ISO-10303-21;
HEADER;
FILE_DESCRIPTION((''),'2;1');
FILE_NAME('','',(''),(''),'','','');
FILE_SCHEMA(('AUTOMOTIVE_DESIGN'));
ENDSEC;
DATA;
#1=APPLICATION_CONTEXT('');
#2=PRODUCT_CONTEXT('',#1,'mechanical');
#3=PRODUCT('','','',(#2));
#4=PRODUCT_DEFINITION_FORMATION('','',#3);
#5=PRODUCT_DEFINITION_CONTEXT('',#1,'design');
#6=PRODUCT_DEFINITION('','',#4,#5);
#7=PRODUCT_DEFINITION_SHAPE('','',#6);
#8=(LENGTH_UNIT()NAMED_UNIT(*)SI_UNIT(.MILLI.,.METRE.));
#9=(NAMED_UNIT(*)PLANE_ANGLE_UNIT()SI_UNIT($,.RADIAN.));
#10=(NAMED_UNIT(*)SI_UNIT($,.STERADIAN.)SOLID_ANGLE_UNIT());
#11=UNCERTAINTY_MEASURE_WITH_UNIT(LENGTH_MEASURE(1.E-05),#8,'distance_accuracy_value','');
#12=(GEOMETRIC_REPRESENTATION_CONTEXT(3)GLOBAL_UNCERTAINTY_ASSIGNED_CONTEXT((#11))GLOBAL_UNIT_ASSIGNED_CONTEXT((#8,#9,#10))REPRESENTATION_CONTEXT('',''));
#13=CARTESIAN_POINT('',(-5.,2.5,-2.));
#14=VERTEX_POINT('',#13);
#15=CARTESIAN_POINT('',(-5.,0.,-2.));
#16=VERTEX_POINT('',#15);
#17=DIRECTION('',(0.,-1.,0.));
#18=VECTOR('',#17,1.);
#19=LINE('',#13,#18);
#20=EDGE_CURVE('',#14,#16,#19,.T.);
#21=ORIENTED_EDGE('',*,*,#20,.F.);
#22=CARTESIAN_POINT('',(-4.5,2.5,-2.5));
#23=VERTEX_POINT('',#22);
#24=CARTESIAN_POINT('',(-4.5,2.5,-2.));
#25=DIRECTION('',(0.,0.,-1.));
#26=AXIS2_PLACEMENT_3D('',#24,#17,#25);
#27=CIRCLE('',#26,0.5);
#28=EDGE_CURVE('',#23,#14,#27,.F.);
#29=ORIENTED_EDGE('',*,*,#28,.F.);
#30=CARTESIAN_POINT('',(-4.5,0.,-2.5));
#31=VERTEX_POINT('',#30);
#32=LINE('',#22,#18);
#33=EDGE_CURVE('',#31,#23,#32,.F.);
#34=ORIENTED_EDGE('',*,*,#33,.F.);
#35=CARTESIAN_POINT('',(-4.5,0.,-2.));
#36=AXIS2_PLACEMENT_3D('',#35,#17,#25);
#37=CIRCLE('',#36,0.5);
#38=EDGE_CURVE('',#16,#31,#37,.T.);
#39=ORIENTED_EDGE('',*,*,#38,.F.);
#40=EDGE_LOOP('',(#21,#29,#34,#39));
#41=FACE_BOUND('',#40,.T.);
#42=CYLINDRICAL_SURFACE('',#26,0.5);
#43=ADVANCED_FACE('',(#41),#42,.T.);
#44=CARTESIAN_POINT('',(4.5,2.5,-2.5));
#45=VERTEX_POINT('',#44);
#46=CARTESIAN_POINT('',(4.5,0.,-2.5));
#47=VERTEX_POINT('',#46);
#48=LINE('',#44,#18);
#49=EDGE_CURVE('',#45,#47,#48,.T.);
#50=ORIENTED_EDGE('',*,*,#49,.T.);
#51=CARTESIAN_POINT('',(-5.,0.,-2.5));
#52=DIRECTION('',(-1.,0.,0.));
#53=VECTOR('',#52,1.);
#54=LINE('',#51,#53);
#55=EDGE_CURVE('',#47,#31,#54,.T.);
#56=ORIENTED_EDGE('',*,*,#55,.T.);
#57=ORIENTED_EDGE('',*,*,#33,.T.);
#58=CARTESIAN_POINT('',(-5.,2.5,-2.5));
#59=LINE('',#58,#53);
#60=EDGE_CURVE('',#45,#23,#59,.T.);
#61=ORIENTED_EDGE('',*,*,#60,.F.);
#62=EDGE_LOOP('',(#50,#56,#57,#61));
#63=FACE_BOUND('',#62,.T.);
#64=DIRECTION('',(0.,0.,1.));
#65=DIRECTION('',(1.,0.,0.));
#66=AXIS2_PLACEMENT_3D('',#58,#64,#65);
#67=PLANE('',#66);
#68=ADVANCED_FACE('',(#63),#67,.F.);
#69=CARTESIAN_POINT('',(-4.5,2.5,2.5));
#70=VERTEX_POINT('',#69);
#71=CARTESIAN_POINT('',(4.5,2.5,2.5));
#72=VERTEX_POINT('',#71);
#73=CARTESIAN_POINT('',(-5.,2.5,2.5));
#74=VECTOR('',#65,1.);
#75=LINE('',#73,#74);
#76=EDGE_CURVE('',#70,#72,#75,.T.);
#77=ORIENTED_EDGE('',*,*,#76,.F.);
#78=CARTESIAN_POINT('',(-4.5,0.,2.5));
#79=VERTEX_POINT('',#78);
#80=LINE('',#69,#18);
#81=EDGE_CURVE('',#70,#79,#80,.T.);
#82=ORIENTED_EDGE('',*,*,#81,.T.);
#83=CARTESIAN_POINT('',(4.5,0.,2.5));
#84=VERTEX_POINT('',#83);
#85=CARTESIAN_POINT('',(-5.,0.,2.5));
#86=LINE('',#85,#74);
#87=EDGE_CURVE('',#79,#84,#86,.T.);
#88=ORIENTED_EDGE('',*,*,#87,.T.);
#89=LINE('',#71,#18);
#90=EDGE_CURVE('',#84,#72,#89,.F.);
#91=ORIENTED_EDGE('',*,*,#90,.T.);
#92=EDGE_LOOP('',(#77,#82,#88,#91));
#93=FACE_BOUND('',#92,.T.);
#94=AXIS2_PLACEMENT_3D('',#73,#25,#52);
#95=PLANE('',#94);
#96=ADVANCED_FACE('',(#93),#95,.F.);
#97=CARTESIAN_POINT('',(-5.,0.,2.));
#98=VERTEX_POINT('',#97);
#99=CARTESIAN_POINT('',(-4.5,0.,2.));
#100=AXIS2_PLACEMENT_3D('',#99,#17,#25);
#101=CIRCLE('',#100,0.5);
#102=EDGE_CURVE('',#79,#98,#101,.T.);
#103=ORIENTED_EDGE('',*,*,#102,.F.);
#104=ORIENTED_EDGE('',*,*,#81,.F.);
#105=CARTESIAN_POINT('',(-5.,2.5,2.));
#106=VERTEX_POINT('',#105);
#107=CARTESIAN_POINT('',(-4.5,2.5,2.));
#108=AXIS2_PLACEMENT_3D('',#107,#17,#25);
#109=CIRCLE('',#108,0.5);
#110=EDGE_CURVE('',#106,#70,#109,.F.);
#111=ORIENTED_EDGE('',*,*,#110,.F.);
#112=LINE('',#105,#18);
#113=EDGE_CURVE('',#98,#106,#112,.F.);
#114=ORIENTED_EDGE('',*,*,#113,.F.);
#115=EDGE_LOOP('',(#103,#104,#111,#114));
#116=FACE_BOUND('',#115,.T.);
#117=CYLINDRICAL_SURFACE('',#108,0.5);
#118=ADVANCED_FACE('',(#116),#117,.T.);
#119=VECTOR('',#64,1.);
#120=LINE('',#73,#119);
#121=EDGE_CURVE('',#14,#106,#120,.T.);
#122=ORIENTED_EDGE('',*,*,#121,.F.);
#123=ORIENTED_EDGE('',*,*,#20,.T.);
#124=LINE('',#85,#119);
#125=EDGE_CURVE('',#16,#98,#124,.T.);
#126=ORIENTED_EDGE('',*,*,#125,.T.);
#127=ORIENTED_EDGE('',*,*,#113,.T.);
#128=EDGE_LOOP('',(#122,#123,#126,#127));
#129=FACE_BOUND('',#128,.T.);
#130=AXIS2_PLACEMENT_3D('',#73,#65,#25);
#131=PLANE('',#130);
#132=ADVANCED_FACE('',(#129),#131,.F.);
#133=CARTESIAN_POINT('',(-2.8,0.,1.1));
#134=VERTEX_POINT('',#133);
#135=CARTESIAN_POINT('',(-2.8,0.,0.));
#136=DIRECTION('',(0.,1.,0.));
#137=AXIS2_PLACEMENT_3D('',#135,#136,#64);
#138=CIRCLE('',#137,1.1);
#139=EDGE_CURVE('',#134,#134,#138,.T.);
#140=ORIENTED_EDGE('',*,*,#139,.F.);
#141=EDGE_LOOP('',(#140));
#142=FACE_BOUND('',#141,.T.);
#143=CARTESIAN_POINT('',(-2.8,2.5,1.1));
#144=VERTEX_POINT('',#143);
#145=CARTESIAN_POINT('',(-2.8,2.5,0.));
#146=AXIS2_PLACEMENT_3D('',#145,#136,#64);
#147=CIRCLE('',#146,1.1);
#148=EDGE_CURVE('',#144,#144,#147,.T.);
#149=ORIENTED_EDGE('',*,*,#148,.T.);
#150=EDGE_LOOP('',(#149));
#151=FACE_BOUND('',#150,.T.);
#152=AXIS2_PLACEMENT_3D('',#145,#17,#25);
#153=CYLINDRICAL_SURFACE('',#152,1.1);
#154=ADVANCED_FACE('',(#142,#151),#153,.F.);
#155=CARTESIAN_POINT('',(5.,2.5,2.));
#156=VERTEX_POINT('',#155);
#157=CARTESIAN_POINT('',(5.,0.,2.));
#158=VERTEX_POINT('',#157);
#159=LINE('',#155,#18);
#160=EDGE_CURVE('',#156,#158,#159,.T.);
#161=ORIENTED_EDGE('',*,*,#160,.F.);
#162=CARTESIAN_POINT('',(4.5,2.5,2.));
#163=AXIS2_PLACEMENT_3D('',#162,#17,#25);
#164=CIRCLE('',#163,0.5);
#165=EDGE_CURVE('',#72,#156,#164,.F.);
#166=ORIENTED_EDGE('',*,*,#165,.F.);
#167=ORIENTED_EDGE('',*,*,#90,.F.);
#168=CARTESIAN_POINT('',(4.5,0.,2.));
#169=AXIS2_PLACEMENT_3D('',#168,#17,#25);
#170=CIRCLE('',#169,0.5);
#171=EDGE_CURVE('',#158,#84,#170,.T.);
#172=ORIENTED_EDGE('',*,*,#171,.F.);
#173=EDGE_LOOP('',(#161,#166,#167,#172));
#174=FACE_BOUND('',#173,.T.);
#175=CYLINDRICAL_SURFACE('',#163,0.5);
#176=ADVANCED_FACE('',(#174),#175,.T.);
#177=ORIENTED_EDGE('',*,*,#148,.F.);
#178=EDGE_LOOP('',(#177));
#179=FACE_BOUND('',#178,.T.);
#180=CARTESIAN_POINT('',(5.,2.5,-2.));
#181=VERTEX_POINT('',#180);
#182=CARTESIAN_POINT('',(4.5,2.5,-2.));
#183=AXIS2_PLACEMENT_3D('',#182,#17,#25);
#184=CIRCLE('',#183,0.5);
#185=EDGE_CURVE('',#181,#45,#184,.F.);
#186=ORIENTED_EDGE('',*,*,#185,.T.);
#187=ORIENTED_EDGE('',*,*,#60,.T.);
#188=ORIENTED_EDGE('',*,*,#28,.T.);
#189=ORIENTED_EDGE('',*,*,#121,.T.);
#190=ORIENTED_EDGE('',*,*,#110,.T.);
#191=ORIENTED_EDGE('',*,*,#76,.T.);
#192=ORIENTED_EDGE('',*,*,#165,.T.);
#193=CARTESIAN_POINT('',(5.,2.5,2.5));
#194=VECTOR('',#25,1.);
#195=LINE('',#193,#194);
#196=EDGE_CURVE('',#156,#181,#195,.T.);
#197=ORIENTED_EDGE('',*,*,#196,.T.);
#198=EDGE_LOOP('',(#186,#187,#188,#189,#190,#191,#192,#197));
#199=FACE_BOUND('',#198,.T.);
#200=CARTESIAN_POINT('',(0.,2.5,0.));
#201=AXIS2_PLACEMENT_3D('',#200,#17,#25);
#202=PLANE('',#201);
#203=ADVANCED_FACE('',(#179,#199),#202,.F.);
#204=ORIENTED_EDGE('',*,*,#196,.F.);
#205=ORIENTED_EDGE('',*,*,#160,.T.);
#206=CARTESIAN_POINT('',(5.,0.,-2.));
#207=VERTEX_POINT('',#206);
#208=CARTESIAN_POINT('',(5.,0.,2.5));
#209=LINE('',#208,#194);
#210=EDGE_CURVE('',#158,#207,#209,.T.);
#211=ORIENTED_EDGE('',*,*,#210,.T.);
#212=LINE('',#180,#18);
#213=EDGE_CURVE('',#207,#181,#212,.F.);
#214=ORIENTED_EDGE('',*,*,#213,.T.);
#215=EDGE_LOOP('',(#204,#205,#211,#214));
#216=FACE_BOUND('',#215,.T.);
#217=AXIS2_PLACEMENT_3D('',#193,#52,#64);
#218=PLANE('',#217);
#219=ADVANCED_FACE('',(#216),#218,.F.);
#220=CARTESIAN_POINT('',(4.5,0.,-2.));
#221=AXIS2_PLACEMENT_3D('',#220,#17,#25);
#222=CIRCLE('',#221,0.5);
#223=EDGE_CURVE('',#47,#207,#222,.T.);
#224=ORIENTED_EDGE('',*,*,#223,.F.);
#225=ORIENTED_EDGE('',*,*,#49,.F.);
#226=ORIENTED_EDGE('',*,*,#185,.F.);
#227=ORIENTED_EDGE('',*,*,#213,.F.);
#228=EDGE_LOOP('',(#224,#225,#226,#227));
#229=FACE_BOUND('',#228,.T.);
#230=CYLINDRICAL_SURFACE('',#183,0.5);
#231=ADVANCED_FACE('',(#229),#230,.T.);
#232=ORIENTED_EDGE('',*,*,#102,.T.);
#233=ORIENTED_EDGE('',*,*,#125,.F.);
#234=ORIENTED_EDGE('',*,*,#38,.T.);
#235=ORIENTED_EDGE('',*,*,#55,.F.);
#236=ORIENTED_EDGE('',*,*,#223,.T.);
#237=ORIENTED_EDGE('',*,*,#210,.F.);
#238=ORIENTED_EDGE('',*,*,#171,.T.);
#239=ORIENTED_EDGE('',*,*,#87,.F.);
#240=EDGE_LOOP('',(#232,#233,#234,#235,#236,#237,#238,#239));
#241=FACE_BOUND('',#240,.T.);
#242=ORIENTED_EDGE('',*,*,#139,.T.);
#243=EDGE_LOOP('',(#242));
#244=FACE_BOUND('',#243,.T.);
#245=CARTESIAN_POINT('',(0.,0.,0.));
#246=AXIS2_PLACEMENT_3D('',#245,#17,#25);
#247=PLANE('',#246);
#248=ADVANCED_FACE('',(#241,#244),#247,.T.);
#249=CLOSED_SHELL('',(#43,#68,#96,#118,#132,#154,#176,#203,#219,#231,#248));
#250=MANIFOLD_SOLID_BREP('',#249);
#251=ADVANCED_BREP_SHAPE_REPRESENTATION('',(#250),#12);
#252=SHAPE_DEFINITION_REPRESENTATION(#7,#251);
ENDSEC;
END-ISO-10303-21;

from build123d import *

# Parameters (mm, degrees)
SKETCH1_W           = 10
SKETCH1_H           = 5
SKETCH1_R           = 1.1
BOSS_EXTRUDE1_DEPTH = 2.5
FILLET1_R           = 0.5


with BuildPart() as part:
    # Sketch1 → Boss-Extrude1 (new body)
    with BuildSketch(Plane(origin=(0, 0, 0), x_dir=(1, 0, 0), z_dir=(0, 1, 0))):
        Rectangle(SKETCH1_W, SKETCH1_H)
        with Locations((-2.8, 0)):
            Circle(SKETCH1_R, mode=Mode.SUBTRACT)
    extrude(amount=BOSS_EXTRUDE1_DEPTH)

    # Fillet1
    fillet1_edges = [part.edges().sort_by_distance(p)[0] for p in [
        (5, 1.25, 2.5),
        (-5, 1.25, 2.5),
        (-5, 1.25, -2.5),
        (5, 1.25, -2.5),
    ]]
    fillet(fillet1_edges, radius=FILLET1_R)


solid = part.part
